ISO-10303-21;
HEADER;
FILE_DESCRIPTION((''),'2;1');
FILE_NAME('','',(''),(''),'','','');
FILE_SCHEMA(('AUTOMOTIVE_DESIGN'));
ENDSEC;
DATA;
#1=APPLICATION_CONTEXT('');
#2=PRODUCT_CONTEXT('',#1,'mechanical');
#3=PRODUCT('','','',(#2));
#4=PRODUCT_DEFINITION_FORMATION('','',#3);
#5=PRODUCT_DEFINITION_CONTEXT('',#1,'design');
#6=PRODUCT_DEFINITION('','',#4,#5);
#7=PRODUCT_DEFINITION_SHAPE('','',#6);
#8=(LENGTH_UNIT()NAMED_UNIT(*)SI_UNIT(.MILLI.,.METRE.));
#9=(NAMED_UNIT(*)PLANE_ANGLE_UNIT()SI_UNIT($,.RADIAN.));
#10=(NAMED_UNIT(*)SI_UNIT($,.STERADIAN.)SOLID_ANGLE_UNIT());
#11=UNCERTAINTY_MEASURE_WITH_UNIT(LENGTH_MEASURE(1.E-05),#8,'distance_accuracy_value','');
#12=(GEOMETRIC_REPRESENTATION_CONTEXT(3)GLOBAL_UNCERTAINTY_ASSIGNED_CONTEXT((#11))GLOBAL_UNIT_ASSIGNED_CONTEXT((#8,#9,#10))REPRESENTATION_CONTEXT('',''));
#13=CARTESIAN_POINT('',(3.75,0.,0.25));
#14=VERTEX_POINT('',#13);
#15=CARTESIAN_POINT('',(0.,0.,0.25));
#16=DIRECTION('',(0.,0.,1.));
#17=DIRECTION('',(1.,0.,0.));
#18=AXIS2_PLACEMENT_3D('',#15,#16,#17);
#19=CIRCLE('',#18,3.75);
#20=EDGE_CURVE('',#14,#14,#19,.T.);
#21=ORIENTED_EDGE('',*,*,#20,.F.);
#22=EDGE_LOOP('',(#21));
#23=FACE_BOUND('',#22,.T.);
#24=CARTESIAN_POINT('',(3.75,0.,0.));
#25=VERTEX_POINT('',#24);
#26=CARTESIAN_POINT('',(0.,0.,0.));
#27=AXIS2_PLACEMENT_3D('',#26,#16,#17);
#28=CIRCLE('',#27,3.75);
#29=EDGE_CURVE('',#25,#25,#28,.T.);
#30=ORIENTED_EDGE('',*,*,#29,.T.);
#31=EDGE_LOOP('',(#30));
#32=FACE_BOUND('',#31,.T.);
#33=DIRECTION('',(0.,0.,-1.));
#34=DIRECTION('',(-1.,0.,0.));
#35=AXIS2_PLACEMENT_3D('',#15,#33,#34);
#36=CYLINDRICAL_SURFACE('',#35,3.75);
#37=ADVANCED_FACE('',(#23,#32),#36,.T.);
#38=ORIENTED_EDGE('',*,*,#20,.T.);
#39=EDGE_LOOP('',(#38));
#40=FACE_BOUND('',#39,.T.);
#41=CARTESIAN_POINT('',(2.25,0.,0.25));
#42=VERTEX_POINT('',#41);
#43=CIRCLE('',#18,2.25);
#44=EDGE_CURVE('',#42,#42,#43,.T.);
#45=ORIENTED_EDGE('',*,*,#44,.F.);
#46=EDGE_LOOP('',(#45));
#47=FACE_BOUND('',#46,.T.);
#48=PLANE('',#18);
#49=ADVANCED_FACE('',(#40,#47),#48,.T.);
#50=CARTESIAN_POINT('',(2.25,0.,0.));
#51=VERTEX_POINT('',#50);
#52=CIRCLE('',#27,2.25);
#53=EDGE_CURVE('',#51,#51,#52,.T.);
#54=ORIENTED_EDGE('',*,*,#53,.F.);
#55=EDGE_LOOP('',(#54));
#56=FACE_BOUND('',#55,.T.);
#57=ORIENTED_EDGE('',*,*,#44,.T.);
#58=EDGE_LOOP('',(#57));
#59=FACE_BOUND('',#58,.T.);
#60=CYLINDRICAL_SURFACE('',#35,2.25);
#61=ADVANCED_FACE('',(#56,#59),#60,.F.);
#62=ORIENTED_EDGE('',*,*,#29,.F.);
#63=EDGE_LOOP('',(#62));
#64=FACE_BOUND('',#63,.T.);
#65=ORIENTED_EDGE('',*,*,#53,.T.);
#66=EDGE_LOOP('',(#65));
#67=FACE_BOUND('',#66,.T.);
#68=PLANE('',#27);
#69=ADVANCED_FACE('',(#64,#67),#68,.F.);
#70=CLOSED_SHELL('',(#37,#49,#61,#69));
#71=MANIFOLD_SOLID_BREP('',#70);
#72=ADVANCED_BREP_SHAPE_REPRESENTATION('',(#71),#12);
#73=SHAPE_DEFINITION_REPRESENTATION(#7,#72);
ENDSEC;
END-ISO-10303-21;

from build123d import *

# Parameters (mm, degrees)
SKETCH1_R           = 3.75
SKETCH1_R_2         = 2.25
BOSS_EXTRUDE1_DEPTH = 0.25


with BuildPart() as part:
    # Sketch1 → Boss-Extrude1 (new body)
    with BuildSketch(Plane.XY):
        Circle(SKETCH1_R)
        Circle(SKETCH1_R_2, mode=Mode.SUBTRACT)
    extrude(amount=BOSS_EXTRUDE1_DEPTH)


solid = part.part
